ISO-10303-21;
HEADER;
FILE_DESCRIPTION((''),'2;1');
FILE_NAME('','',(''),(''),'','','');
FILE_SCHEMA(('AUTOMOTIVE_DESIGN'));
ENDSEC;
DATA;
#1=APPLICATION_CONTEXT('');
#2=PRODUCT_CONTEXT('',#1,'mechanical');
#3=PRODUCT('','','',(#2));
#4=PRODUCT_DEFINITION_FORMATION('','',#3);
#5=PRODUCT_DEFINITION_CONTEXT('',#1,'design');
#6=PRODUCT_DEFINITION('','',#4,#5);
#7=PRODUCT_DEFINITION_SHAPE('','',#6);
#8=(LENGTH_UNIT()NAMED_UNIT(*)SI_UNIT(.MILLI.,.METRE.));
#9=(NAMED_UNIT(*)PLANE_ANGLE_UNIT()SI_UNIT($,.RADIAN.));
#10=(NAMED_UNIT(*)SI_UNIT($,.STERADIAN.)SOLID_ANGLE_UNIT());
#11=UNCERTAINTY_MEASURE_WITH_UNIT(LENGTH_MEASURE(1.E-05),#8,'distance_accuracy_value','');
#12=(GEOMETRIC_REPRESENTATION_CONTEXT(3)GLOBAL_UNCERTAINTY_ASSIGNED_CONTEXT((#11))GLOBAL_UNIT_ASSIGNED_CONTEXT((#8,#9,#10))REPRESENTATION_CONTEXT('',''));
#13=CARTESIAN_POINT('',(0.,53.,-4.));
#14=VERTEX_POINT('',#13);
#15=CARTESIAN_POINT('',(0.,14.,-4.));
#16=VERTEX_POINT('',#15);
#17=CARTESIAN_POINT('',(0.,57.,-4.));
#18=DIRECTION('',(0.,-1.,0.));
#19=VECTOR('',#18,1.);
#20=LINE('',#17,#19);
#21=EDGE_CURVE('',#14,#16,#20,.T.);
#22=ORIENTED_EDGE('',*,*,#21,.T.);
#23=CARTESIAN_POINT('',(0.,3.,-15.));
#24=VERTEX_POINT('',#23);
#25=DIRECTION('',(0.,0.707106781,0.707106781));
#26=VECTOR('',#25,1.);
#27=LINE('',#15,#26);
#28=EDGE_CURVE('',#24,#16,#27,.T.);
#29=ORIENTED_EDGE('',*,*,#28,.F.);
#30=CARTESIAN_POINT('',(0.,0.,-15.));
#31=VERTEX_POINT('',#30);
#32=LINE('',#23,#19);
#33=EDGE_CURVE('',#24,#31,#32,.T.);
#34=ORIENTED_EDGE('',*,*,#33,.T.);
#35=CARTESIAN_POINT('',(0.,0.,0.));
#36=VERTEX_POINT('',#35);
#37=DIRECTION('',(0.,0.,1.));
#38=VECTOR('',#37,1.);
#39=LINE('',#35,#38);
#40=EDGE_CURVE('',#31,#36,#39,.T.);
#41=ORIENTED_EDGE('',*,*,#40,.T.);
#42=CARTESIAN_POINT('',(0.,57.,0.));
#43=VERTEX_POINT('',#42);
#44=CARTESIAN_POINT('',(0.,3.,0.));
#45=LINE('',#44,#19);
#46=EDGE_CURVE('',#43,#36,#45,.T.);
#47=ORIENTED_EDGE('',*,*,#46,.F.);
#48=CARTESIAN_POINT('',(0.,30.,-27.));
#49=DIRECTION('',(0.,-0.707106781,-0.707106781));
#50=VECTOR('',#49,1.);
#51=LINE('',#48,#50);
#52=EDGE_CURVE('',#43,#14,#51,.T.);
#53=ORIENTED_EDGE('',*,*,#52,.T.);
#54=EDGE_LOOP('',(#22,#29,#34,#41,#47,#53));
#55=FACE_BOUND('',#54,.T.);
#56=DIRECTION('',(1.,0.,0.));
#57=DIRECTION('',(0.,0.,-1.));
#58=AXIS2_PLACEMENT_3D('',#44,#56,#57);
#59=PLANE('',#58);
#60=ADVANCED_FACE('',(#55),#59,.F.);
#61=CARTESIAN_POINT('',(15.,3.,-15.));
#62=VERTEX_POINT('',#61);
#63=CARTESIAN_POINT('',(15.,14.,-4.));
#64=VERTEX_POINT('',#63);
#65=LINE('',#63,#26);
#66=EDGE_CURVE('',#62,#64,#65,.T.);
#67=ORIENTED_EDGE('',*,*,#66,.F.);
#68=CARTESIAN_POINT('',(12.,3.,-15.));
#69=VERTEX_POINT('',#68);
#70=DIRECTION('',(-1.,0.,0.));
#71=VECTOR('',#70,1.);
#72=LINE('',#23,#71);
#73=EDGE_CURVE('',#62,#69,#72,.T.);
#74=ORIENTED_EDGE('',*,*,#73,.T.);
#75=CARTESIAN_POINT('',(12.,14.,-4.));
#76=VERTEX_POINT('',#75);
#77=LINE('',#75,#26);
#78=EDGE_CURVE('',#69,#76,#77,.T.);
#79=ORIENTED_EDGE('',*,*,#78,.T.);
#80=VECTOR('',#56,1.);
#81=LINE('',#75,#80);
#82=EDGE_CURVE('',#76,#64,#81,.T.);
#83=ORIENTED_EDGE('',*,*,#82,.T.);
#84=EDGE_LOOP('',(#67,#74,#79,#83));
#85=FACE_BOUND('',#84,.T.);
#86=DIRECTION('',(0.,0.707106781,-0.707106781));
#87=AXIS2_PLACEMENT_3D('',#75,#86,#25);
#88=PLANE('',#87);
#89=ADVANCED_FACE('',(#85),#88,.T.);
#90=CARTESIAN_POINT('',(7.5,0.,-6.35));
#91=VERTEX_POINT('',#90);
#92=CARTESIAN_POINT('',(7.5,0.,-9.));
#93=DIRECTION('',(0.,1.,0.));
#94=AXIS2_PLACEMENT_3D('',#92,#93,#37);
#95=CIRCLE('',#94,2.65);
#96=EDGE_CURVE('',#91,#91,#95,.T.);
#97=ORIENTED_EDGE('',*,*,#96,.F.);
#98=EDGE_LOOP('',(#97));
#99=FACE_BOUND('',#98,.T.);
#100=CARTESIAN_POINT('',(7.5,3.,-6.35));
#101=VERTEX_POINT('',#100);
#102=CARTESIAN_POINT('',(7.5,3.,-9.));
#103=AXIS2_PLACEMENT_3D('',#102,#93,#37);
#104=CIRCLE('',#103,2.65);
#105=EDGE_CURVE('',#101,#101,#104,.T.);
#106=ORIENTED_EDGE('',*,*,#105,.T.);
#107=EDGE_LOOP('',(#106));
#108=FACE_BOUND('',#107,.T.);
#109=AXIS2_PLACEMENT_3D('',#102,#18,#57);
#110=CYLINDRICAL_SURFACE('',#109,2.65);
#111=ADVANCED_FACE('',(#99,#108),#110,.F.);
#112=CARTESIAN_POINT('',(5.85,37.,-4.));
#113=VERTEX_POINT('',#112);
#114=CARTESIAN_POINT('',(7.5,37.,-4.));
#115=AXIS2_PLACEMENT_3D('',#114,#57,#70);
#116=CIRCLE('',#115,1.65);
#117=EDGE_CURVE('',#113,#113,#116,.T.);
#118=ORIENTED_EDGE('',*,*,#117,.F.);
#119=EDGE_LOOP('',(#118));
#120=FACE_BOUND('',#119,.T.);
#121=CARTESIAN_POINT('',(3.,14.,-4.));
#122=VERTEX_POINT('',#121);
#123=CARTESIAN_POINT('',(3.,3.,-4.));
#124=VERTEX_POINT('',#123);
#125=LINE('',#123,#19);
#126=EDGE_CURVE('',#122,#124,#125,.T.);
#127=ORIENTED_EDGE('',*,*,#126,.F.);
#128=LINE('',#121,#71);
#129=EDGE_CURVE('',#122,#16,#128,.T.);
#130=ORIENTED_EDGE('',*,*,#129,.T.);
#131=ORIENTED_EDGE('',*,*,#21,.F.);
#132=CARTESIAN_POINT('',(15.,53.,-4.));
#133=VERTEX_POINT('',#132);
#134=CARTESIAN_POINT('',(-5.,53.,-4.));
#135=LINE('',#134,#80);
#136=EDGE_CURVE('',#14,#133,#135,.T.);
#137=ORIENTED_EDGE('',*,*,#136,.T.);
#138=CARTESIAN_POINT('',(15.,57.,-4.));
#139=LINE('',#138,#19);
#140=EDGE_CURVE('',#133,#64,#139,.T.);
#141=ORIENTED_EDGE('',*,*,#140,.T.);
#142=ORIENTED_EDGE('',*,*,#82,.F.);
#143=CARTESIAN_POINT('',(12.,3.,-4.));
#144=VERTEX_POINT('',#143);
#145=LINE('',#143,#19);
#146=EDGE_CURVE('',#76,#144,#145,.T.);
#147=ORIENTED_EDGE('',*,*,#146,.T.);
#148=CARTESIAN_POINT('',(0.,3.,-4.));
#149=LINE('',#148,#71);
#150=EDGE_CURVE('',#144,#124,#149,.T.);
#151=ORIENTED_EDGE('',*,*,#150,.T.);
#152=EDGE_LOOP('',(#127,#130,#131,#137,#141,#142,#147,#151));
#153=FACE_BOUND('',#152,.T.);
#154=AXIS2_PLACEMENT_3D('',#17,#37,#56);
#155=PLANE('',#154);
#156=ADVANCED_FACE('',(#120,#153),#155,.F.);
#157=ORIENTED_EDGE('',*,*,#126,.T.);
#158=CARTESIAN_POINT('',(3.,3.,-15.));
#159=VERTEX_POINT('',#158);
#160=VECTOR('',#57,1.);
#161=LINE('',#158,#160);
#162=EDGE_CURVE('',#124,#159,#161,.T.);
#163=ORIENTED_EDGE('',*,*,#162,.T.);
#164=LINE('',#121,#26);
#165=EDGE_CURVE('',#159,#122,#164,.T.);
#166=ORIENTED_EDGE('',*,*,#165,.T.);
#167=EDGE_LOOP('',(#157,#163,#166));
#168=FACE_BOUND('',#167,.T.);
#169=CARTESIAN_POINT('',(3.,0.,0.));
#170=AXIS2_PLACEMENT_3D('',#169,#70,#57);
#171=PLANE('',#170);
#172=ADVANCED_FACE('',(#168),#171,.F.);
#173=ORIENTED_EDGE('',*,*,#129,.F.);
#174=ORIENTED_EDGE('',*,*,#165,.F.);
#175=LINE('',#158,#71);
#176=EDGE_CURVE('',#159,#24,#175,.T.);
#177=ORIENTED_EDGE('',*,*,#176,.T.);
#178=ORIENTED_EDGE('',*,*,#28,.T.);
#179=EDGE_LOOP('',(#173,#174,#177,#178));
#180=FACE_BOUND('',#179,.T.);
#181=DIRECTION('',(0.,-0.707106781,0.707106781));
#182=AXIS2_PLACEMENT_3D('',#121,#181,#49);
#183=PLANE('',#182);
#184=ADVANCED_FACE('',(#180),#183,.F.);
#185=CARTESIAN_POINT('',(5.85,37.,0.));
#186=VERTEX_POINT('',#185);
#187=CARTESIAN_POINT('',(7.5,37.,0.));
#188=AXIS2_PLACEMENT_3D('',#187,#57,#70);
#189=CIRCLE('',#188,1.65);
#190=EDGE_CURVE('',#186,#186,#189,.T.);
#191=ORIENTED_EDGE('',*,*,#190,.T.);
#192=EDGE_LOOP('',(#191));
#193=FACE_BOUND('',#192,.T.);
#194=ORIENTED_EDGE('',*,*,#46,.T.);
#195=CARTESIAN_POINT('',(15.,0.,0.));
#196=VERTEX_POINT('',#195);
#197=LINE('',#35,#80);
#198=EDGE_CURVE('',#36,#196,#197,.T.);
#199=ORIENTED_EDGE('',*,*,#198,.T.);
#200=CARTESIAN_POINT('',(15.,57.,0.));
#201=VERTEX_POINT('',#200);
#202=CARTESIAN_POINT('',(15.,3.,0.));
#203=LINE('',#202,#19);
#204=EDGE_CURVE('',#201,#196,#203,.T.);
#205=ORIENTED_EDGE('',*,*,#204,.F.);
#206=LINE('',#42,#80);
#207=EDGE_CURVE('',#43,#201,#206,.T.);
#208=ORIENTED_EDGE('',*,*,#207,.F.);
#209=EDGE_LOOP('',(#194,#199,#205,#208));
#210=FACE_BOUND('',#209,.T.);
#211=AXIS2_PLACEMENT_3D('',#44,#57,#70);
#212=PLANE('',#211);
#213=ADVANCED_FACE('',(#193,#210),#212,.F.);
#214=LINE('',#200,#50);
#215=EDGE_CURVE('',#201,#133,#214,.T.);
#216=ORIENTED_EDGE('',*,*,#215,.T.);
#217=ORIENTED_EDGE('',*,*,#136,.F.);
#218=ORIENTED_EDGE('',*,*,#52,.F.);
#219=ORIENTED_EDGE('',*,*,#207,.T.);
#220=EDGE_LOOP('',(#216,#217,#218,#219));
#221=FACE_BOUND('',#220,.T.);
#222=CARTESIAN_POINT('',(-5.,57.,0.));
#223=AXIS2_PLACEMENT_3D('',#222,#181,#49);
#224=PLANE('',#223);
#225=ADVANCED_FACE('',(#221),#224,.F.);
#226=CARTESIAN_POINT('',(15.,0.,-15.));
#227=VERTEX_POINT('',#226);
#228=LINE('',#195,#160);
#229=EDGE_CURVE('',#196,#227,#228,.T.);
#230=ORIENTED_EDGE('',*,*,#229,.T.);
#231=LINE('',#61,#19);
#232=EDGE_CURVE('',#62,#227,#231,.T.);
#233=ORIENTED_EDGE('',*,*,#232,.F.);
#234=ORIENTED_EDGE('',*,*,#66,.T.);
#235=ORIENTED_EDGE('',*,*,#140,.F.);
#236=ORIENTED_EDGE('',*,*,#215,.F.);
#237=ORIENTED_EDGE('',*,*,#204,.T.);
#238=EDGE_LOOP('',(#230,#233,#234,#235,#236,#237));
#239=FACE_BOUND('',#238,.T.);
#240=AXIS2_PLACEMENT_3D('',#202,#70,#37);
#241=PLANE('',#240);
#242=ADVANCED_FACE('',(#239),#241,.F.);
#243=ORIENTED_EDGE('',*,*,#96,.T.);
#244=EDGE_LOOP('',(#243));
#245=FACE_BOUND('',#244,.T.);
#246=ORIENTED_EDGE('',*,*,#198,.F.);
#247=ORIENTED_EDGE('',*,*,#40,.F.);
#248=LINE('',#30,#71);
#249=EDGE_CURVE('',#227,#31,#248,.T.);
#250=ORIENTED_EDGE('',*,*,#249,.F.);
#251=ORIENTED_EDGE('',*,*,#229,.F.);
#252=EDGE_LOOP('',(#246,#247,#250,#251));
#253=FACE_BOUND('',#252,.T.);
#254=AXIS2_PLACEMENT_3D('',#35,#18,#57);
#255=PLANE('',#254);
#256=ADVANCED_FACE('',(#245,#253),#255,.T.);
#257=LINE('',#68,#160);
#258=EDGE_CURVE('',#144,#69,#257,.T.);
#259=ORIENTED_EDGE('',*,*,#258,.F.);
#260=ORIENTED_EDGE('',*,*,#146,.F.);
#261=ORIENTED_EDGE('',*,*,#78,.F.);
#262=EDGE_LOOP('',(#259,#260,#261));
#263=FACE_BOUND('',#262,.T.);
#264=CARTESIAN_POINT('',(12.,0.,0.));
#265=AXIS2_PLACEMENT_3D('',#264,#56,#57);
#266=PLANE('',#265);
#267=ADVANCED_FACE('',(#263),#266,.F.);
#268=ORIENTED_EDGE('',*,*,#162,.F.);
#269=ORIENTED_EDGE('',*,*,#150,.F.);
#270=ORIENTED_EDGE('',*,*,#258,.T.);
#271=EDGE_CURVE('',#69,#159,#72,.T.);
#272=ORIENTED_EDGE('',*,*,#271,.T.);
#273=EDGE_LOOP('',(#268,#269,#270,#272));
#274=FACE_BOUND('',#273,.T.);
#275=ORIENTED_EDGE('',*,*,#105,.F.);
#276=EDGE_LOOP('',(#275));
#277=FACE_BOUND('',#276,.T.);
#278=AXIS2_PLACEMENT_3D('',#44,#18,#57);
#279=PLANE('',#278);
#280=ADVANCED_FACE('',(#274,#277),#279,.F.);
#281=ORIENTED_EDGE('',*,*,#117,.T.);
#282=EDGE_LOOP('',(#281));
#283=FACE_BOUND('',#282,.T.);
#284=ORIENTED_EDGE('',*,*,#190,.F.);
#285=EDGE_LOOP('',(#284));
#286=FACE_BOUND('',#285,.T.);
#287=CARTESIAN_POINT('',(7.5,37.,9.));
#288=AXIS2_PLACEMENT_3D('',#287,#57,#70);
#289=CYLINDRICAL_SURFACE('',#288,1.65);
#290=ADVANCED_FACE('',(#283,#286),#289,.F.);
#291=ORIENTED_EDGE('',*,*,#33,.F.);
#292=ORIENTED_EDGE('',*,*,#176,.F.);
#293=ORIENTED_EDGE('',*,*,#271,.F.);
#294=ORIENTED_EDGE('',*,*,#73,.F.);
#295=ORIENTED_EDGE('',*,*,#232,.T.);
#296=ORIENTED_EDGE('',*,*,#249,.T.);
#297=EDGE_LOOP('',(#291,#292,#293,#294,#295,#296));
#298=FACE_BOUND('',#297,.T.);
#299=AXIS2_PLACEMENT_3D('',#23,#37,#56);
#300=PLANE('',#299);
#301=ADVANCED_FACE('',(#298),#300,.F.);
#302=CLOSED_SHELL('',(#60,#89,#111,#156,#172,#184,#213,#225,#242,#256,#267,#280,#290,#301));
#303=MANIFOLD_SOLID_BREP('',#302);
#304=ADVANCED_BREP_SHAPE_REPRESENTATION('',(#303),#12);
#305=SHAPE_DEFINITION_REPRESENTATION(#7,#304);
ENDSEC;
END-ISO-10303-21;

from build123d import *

# Parameters (mm, degrees)
SKETCH1_W           = 15
SKETCH1_H           = 15
SKETCH1_R           = 2.65
BOSS_EXTRUDE1_DEPTH = 3
SKETCH2_W           = 15
SKETCH2_H           = 4
BOSS_EXTRUDE2_DEPTH = 54
BOSS_EXTRUDE3_DEPTH = 3
SKETCH4_R           = 1.65
CUT_EXTRUDE1_DEPTH  = 13
CUT_EXTRUDE2_DEPTH  = 20


with BuildPart() as part:
    # Sketch1 → Boss-Extrude1 (new body)
    with BuildSketch(Plane(origin=(0, 0, 0), x_dir=(1, 0, 0), z_dir=(0, 1, 0))):
        with Locations((7.5, 7.5)):
            Rectangle(SKETCH1_W, SKETCH1_H)
        with Locations(Location((7.5, 9, 0), (0, 0, 270))):
            Circle(SKETCH1_R, mode=Mode.SUBTRACT)
    extrude(amount=BOSS_EXTRUDE1_DEPTH)

    # Sketch2 → Boss-Extrude2 (add)
    with BuildSketch(Plane(origin=(0, 3, 0), x_dir=(1, 0, 0), z_dir=(0, 1, 0))):
        with Locations((7.5, 2)):
            Rectangle(SKETCH2_W, SKETCH2_H)
    extrude(amount=BOSS_EXTRUDE2_DEPTH)

    # Sketch3 → Boss-Extrude3 (add)
    with BuildSketch(Plane(origin=(15, 0, 0), x_dir=(0, 0, -1), z_dir=(1, 0, 0))):
        Polygon((4, 14), (15, 3), (4, 3), align=None)
    boss_extrude3 = extrude(amount=-BOSS_EXTRUDE3_DEPTH)

    # Mirror1: Boss-Extrude3 across plane
    add(boss_extrude3.mirror(Plane.ZY.offset(-7.5)))

    # Sketch4 → Cut-Extrude1 (cut)
    with BuildSketch(Plane(origin=(0, 0, -4), x_dir=(-1, 0, 0), z_dir=(0, 0, -1))):
        with Locations((-7.5, 37)):
            Circle(SKETCH4_R)
    extrude(amount=-CUT_EXTRUDE1_DEPTH, mode=Mode.SUBTRACT)

    # Sketch5 → Cut-Extrude2 (cut)
    with BuildSketch(Plane(origin=(15, 0, 0), x_dir=(0, 0, -1), z_dir=(1, 0, 0))):
        Polygon((0, 57), (4, 53), (4, 57), align=None)
    extrude(amount=-CUT_EXTRUDE2_DEPTH, mode=Mode.SUBTRACT)


solid = part.part
